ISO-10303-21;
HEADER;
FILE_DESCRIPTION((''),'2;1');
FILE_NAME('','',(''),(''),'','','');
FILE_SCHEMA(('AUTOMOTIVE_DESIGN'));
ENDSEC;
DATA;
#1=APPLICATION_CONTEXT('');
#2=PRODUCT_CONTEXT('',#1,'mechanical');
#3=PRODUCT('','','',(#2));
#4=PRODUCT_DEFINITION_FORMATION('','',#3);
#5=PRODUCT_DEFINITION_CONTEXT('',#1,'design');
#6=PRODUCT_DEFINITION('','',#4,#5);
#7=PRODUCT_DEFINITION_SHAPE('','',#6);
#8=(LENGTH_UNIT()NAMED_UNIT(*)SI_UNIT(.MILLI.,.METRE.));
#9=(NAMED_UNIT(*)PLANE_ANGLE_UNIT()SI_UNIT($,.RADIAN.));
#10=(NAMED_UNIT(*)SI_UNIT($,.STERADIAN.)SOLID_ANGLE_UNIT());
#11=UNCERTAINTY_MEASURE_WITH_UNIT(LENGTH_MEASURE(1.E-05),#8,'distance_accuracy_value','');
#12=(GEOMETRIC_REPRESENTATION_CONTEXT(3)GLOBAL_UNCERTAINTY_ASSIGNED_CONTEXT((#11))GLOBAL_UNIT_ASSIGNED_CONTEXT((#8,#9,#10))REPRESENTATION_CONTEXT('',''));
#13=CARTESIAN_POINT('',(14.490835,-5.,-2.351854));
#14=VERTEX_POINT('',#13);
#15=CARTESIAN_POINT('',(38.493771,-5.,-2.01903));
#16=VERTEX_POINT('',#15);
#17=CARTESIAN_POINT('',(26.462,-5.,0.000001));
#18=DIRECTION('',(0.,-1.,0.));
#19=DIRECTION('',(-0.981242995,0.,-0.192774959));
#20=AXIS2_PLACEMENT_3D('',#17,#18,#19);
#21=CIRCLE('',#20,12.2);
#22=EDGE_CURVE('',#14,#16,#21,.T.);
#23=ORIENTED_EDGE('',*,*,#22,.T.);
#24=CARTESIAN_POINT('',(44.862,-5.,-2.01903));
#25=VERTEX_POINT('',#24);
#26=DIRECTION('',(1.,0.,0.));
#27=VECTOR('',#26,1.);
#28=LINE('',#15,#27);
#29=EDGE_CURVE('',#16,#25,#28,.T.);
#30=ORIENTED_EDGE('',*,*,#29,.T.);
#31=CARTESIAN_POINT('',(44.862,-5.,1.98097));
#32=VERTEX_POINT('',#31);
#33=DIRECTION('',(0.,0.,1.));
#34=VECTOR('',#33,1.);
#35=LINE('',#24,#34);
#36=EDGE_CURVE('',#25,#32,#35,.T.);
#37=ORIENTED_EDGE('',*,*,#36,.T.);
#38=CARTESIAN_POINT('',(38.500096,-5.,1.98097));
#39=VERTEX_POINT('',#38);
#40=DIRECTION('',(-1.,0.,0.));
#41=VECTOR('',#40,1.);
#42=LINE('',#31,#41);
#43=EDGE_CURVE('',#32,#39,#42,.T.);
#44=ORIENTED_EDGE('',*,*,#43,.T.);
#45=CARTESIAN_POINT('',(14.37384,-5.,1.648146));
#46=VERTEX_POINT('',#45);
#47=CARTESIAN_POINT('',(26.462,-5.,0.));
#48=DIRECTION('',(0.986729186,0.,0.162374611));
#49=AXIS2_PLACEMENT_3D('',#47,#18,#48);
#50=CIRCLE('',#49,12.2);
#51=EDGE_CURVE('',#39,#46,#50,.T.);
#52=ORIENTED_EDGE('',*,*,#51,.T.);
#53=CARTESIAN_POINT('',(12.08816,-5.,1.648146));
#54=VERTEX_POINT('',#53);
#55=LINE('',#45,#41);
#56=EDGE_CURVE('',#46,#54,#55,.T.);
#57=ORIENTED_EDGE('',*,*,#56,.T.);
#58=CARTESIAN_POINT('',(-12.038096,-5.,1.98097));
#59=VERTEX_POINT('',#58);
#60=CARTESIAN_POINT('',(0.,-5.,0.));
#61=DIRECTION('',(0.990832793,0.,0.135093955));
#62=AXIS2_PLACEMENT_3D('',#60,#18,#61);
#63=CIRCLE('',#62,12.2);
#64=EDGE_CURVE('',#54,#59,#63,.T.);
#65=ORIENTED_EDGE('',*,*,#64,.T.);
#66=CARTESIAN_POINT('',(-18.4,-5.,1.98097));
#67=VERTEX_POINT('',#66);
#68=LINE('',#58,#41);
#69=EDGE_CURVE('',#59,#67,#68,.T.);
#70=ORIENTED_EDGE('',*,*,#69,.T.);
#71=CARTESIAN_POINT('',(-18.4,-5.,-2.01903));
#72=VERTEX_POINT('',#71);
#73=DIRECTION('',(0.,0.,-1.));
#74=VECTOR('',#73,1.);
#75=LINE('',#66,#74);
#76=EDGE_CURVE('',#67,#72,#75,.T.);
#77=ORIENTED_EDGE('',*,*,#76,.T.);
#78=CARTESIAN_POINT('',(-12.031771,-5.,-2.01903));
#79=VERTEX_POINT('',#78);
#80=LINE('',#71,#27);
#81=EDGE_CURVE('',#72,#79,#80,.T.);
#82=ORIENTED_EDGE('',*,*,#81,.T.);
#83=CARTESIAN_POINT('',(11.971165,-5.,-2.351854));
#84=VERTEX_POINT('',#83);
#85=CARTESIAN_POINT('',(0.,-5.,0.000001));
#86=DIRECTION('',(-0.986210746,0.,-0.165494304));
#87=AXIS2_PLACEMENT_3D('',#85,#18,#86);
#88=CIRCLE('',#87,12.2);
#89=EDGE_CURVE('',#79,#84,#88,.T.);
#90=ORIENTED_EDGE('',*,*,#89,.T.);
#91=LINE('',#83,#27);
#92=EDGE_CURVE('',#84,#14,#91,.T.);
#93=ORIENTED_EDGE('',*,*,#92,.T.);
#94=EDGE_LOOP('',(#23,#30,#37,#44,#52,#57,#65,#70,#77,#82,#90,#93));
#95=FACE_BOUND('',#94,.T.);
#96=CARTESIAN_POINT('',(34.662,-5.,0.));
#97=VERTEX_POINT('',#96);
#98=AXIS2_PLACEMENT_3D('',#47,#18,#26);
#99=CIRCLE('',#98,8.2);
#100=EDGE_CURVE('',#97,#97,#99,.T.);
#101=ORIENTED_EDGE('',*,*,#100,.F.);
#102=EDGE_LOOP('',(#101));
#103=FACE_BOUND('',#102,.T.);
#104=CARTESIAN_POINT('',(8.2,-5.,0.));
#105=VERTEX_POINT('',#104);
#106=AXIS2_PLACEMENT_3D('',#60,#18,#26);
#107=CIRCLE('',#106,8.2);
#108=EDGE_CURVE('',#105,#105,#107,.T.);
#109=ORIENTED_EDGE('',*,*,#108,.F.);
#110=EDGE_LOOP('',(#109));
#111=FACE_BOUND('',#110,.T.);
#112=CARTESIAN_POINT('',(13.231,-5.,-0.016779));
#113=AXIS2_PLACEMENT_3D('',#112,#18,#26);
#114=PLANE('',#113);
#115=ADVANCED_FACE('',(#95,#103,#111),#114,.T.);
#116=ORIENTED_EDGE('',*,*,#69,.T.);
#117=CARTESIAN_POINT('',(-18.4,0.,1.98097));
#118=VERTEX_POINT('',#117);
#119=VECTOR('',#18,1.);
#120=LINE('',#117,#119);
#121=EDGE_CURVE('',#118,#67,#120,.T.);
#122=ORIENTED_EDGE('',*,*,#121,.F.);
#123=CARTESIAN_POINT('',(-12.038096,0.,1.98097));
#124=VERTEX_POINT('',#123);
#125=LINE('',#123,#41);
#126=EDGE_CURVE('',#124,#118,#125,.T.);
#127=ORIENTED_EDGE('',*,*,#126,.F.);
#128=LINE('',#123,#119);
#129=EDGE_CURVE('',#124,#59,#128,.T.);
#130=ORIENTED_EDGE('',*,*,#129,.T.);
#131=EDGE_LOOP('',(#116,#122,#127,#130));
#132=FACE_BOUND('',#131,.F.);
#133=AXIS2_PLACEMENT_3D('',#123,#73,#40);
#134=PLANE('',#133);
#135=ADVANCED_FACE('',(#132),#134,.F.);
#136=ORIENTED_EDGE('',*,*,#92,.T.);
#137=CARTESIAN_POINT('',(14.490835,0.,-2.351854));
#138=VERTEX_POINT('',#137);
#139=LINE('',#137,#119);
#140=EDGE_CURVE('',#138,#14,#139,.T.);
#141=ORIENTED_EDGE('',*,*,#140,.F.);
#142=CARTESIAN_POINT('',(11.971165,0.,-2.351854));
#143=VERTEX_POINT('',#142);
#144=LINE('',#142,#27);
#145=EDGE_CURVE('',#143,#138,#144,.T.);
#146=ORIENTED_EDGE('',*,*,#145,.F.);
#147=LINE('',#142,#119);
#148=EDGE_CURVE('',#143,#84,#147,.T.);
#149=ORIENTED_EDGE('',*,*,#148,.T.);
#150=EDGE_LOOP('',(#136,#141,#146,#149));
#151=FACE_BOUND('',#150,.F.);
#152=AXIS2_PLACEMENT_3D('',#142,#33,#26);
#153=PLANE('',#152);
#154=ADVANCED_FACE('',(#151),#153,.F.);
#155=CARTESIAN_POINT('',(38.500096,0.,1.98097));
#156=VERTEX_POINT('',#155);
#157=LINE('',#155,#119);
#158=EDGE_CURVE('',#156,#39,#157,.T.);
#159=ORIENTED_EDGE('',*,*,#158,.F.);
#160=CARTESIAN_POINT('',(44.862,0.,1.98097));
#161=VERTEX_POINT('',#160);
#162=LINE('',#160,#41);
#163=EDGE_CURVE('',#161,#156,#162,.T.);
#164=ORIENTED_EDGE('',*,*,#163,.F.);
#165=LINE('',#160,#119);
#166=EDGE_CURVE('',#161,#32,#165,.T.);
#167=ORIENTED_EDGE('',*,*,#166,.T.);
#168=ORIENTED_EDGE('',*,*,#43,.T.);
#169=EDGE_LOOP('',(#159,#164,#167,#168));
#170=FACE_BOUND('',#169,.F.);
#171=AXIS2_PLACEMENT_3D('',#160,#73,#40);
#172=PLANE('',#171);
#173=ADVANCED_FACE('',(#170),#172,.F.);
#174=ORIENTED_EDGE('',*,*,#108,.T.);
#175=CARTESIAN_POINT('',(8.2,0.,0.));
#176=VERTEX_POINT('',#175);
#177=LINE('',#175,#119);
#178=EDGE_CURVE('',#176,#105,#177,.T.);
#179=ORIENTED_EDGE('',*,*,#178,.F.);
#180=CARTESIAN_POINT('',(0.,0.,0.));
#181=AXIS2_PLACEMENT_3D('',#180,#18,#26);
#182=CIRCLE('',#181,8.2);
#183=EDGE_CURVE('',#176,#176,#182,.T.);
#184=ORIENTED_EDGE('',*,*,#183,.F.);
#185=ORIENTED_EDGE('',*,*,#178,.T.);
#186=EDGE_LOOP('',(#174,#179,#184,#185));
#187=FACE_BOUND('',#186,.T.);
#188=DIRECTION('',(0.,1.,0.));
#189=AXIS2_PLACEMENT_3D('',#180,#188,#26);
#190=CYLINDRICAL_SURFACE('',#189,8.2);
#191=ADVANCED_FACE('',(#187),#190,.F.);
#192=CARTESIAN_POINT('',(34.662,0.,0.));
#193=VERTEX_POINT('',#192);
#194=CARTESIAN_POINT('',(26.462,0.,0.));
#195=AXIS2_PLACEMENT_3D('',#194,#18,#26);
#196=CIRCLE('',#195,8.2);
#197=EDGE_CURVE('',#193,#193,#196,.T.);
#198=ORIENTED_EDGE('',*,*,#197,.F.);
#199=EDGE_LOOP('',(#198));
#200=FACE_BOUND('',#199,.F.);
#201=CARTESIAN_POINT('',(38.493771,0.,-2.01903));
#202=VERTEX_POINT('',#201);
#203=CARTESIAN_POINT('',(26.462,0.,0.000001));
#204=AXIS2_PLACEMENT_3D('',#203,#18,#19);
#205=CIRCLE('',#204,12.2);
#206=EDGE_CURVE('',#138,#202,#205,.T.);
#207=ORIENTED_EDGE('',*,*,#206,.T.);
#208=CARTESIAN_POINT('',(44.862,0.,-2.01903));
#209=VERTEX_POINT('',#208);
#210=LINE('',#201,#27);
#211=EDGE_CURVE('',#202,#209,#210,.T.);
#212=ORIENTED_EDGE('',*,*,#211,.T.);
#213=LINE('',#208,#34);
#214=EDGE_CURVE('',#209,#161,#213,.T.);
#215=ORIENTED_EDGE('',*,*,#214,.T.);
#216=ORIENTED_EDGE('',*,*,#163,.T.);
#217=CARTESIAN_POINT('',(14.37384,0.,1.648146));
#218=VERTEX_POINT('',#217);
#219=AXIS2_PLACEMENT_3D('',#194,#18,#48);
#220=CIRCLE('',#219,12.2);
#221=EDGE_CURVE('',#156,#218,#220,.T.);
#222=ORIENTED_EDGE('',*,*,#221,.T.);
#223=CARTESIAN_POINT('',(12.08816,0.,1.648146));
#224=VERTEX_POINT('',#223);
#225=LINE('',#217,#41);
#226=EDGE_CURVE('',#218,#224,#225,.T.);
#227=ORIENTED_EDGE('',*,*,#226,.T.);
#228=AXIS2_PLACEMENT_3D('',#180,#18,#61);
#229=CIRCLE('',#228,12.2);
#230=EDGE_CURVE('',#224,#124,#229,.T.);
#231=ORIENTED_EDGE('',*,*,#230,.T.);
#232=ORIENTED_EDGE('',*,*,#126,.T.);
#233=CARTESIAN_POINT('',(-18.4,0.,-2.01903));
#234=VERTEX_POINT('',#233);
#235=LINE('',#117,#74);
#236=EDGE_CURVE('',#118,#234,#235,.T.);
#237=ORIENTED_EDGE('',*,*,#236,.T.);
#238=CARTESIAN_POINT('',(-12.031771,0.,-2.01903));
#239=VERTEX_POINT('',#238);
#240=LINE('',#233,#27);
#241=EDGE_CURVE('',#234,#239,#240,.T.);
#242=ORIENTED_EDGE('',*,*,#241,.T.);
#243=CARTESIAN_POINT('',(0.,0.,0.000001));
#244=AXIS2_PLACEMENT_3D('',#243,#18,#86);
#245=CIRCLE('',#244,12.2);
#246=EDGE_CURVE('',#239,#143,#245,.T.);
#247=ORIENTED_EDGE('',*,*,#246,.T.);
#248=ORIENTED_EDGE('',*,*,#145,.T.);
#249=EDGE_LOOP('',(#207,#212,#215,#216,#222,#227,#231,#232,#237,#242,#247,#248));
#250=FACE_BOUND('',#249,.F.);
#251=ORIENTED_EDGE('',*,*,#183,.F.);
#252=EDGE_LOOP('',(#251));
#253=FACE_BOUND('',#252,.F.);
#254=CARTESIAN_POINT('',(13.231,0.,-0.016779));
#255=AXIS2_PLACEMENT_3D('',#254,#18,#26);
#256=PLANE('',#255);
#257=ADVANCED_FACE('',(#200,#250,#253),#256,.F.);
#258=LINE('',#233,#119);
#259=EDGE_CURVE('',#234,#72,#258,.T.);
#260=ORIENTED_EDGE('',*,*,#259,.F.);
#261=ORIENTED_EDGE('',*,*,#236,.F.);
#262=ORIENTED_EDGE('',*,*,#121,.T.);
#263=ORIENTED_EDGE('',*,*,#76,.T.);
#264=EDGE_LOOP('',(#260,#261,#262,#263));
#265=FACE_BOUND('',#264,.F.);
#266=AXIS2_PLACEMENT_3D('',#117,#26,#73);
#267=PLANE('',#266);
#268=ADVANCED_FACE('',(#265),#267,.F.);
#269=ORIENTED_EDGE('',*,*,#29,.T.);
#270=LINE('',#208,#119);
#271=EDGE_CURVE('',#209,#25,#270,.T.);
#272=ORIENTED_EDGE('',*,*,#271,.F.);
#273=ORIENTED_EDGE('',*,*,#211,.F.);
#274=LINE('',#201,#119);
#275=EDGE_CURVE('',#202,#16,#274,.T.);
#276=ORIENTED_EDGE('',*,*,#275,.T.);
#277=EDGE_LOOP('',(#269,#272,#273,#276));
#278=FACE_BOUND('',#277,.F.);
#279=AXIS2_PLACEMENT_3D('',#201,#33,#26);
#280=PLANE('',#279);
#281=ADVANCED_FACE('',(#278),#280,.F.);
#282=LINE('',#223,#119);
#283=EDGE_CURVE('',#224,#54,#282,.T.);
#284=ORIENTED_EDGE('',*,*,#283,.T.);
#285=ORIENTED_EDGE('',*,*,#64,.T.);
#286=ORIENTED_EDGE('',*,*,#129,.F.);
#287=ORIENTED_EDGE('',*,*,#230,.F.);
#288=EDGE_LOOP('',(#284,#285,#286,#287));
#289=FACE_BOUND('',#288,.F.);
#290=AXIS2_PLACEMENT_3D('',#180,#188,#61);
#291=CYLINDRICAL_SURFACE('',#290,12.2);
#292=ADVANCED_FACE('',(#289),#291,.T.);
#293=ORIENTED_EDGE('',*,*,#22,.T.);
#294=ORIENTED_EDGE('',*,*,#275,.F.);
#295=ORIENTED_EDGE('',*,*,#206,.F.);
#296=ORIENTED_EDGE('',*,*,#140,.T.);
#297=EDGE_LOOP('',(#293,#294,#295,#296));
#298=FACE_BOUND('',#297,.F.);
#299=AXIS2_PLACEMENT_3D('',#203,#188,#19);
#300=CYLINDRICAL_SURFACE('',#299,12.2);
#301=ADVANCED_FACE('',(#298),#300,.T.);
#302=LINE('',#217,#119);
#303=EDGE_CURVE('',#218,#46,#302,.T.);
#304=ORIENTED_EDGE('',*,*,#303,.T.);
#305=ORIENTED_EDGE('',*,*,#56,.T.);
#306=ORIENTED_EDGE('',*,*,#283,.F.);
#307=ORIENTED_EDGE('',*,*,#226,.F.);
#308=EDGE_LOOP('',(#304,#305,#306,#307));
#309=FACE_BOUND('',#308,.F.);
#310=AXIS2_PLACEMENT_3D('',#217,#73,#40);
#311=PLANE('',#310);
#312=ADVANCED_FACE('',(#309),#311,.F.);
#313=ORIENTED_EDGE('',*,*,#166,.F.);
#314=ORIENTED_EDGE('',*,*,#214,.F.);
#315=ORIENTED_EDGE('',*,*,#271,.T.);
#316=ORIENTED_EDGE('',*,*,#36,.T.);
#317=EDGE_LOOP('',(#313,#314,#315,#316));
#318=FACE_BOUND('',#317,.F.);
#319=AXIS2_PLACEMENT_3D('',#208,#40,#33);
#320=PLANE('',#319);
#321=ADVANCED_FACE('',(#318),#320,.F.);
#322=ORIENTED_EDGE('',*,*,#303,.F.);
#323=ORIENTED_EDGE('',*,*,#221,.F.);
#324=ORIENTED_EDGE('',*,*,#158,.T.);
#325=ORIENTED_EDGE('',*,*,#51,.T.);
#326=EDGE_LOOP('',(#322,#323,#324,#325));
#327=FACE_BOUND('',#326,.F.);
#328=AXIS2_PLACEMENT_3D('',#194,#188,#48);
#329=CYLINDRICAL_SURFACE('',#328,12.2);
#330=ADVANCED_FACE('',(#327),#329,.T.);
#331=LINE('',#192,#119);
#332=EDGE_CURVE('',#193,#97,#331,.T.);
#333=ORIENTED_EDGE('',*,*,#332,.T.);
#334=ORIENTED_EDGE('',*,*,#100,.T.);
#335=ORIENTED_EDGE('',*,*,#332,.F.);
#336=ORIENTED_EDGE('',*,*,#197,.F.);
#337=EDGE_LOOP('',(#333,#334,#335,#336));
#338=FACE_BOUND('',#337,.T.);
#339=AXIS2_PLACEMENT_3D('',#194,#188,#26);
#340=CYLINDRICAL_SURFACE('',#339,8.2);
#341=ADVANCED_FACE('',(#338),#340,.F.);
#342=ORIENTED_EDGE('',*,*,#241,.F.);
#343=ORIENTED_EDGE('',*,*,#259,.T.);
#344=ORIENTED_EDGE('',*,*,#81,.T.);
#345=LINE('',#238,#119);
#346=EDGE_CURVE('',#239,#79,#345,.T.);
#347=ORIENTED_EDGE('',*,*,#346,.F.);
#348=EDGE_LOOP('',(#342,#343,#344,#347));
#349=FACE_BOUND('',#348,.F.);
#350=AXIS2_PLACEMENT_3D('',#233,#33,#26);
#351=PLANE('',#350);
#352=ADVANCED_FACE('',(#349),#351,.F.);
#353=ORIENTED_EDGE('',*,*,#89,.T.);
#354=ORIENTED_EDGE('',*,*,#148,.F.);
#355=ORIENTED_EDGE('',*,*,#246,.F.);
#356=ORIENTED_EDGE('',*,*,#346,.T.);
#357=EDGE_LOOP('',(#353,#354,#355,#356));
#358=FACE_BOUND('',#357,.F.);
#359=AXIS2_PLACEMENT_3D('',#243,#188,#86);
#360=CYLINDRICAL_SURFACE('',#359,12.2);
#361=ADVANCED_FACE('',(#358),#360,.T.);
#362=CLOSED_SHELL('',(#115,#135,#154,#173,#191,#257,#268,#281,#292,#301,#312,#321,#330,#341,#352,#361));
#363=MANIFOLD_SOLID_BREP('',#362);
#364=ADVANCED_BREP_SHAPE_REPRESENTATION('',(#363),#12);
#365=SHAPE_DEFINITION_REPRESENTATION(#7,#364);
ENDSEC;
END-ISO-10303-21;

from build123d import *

# Parameters (mm, degrees)
F0_R     = 8.2
F1_DEPTH = 5


with BuildPart() as f1:
    # F0 (on Front) → F1 (new body)
    with BuildSketch(Plane.XZ):
        with BuildLine():
            Line((-18.4, -2.01903), (-12.031771, -2.01903))
            ThreePointArc((-12.031771, -2.01903), (-0.169148, -12.198827), (11.971165, -2.351854))
            Line((11.971165, -2.351854), (14.490835, -2.351854))
            ThreePointArc((14.490835, -2.351854), (26.631148, -12.198827), (38.493771, -2.01903))
            Line((38.493771, -2.01903), (44.862, -2.01903))
            Line((44.862, -2.01903), (44.862, 1.98097))
            Line((44.862, 1.98097), (38.500096, 1.98097))
            ThreePointArc((38.500096, 1.98097), (26.293716, 12.198839), (14.37384, 1.648146))
            Line((14.37384, 1.648146), (12.08816, 1.648146))
            ThreePointArc((12.08816, 1.648146), (0.168284, 12.198839), (-12.038096, 1.98097))
            Line((-12.038096, 1.98097), (-18.4, 1.98097))
            Line((-18.4, 1.98097), (-18.4, -2.01903))
        make_face()
        Circle(F0_R, mode=Mode.SUBTRACT)
        with Locations((26.462, 0)):
            Circle(F0_R, mode=Mode.SUBTRACT)
    extrude(amount=F1_DEPTH)


solid = f1.part
